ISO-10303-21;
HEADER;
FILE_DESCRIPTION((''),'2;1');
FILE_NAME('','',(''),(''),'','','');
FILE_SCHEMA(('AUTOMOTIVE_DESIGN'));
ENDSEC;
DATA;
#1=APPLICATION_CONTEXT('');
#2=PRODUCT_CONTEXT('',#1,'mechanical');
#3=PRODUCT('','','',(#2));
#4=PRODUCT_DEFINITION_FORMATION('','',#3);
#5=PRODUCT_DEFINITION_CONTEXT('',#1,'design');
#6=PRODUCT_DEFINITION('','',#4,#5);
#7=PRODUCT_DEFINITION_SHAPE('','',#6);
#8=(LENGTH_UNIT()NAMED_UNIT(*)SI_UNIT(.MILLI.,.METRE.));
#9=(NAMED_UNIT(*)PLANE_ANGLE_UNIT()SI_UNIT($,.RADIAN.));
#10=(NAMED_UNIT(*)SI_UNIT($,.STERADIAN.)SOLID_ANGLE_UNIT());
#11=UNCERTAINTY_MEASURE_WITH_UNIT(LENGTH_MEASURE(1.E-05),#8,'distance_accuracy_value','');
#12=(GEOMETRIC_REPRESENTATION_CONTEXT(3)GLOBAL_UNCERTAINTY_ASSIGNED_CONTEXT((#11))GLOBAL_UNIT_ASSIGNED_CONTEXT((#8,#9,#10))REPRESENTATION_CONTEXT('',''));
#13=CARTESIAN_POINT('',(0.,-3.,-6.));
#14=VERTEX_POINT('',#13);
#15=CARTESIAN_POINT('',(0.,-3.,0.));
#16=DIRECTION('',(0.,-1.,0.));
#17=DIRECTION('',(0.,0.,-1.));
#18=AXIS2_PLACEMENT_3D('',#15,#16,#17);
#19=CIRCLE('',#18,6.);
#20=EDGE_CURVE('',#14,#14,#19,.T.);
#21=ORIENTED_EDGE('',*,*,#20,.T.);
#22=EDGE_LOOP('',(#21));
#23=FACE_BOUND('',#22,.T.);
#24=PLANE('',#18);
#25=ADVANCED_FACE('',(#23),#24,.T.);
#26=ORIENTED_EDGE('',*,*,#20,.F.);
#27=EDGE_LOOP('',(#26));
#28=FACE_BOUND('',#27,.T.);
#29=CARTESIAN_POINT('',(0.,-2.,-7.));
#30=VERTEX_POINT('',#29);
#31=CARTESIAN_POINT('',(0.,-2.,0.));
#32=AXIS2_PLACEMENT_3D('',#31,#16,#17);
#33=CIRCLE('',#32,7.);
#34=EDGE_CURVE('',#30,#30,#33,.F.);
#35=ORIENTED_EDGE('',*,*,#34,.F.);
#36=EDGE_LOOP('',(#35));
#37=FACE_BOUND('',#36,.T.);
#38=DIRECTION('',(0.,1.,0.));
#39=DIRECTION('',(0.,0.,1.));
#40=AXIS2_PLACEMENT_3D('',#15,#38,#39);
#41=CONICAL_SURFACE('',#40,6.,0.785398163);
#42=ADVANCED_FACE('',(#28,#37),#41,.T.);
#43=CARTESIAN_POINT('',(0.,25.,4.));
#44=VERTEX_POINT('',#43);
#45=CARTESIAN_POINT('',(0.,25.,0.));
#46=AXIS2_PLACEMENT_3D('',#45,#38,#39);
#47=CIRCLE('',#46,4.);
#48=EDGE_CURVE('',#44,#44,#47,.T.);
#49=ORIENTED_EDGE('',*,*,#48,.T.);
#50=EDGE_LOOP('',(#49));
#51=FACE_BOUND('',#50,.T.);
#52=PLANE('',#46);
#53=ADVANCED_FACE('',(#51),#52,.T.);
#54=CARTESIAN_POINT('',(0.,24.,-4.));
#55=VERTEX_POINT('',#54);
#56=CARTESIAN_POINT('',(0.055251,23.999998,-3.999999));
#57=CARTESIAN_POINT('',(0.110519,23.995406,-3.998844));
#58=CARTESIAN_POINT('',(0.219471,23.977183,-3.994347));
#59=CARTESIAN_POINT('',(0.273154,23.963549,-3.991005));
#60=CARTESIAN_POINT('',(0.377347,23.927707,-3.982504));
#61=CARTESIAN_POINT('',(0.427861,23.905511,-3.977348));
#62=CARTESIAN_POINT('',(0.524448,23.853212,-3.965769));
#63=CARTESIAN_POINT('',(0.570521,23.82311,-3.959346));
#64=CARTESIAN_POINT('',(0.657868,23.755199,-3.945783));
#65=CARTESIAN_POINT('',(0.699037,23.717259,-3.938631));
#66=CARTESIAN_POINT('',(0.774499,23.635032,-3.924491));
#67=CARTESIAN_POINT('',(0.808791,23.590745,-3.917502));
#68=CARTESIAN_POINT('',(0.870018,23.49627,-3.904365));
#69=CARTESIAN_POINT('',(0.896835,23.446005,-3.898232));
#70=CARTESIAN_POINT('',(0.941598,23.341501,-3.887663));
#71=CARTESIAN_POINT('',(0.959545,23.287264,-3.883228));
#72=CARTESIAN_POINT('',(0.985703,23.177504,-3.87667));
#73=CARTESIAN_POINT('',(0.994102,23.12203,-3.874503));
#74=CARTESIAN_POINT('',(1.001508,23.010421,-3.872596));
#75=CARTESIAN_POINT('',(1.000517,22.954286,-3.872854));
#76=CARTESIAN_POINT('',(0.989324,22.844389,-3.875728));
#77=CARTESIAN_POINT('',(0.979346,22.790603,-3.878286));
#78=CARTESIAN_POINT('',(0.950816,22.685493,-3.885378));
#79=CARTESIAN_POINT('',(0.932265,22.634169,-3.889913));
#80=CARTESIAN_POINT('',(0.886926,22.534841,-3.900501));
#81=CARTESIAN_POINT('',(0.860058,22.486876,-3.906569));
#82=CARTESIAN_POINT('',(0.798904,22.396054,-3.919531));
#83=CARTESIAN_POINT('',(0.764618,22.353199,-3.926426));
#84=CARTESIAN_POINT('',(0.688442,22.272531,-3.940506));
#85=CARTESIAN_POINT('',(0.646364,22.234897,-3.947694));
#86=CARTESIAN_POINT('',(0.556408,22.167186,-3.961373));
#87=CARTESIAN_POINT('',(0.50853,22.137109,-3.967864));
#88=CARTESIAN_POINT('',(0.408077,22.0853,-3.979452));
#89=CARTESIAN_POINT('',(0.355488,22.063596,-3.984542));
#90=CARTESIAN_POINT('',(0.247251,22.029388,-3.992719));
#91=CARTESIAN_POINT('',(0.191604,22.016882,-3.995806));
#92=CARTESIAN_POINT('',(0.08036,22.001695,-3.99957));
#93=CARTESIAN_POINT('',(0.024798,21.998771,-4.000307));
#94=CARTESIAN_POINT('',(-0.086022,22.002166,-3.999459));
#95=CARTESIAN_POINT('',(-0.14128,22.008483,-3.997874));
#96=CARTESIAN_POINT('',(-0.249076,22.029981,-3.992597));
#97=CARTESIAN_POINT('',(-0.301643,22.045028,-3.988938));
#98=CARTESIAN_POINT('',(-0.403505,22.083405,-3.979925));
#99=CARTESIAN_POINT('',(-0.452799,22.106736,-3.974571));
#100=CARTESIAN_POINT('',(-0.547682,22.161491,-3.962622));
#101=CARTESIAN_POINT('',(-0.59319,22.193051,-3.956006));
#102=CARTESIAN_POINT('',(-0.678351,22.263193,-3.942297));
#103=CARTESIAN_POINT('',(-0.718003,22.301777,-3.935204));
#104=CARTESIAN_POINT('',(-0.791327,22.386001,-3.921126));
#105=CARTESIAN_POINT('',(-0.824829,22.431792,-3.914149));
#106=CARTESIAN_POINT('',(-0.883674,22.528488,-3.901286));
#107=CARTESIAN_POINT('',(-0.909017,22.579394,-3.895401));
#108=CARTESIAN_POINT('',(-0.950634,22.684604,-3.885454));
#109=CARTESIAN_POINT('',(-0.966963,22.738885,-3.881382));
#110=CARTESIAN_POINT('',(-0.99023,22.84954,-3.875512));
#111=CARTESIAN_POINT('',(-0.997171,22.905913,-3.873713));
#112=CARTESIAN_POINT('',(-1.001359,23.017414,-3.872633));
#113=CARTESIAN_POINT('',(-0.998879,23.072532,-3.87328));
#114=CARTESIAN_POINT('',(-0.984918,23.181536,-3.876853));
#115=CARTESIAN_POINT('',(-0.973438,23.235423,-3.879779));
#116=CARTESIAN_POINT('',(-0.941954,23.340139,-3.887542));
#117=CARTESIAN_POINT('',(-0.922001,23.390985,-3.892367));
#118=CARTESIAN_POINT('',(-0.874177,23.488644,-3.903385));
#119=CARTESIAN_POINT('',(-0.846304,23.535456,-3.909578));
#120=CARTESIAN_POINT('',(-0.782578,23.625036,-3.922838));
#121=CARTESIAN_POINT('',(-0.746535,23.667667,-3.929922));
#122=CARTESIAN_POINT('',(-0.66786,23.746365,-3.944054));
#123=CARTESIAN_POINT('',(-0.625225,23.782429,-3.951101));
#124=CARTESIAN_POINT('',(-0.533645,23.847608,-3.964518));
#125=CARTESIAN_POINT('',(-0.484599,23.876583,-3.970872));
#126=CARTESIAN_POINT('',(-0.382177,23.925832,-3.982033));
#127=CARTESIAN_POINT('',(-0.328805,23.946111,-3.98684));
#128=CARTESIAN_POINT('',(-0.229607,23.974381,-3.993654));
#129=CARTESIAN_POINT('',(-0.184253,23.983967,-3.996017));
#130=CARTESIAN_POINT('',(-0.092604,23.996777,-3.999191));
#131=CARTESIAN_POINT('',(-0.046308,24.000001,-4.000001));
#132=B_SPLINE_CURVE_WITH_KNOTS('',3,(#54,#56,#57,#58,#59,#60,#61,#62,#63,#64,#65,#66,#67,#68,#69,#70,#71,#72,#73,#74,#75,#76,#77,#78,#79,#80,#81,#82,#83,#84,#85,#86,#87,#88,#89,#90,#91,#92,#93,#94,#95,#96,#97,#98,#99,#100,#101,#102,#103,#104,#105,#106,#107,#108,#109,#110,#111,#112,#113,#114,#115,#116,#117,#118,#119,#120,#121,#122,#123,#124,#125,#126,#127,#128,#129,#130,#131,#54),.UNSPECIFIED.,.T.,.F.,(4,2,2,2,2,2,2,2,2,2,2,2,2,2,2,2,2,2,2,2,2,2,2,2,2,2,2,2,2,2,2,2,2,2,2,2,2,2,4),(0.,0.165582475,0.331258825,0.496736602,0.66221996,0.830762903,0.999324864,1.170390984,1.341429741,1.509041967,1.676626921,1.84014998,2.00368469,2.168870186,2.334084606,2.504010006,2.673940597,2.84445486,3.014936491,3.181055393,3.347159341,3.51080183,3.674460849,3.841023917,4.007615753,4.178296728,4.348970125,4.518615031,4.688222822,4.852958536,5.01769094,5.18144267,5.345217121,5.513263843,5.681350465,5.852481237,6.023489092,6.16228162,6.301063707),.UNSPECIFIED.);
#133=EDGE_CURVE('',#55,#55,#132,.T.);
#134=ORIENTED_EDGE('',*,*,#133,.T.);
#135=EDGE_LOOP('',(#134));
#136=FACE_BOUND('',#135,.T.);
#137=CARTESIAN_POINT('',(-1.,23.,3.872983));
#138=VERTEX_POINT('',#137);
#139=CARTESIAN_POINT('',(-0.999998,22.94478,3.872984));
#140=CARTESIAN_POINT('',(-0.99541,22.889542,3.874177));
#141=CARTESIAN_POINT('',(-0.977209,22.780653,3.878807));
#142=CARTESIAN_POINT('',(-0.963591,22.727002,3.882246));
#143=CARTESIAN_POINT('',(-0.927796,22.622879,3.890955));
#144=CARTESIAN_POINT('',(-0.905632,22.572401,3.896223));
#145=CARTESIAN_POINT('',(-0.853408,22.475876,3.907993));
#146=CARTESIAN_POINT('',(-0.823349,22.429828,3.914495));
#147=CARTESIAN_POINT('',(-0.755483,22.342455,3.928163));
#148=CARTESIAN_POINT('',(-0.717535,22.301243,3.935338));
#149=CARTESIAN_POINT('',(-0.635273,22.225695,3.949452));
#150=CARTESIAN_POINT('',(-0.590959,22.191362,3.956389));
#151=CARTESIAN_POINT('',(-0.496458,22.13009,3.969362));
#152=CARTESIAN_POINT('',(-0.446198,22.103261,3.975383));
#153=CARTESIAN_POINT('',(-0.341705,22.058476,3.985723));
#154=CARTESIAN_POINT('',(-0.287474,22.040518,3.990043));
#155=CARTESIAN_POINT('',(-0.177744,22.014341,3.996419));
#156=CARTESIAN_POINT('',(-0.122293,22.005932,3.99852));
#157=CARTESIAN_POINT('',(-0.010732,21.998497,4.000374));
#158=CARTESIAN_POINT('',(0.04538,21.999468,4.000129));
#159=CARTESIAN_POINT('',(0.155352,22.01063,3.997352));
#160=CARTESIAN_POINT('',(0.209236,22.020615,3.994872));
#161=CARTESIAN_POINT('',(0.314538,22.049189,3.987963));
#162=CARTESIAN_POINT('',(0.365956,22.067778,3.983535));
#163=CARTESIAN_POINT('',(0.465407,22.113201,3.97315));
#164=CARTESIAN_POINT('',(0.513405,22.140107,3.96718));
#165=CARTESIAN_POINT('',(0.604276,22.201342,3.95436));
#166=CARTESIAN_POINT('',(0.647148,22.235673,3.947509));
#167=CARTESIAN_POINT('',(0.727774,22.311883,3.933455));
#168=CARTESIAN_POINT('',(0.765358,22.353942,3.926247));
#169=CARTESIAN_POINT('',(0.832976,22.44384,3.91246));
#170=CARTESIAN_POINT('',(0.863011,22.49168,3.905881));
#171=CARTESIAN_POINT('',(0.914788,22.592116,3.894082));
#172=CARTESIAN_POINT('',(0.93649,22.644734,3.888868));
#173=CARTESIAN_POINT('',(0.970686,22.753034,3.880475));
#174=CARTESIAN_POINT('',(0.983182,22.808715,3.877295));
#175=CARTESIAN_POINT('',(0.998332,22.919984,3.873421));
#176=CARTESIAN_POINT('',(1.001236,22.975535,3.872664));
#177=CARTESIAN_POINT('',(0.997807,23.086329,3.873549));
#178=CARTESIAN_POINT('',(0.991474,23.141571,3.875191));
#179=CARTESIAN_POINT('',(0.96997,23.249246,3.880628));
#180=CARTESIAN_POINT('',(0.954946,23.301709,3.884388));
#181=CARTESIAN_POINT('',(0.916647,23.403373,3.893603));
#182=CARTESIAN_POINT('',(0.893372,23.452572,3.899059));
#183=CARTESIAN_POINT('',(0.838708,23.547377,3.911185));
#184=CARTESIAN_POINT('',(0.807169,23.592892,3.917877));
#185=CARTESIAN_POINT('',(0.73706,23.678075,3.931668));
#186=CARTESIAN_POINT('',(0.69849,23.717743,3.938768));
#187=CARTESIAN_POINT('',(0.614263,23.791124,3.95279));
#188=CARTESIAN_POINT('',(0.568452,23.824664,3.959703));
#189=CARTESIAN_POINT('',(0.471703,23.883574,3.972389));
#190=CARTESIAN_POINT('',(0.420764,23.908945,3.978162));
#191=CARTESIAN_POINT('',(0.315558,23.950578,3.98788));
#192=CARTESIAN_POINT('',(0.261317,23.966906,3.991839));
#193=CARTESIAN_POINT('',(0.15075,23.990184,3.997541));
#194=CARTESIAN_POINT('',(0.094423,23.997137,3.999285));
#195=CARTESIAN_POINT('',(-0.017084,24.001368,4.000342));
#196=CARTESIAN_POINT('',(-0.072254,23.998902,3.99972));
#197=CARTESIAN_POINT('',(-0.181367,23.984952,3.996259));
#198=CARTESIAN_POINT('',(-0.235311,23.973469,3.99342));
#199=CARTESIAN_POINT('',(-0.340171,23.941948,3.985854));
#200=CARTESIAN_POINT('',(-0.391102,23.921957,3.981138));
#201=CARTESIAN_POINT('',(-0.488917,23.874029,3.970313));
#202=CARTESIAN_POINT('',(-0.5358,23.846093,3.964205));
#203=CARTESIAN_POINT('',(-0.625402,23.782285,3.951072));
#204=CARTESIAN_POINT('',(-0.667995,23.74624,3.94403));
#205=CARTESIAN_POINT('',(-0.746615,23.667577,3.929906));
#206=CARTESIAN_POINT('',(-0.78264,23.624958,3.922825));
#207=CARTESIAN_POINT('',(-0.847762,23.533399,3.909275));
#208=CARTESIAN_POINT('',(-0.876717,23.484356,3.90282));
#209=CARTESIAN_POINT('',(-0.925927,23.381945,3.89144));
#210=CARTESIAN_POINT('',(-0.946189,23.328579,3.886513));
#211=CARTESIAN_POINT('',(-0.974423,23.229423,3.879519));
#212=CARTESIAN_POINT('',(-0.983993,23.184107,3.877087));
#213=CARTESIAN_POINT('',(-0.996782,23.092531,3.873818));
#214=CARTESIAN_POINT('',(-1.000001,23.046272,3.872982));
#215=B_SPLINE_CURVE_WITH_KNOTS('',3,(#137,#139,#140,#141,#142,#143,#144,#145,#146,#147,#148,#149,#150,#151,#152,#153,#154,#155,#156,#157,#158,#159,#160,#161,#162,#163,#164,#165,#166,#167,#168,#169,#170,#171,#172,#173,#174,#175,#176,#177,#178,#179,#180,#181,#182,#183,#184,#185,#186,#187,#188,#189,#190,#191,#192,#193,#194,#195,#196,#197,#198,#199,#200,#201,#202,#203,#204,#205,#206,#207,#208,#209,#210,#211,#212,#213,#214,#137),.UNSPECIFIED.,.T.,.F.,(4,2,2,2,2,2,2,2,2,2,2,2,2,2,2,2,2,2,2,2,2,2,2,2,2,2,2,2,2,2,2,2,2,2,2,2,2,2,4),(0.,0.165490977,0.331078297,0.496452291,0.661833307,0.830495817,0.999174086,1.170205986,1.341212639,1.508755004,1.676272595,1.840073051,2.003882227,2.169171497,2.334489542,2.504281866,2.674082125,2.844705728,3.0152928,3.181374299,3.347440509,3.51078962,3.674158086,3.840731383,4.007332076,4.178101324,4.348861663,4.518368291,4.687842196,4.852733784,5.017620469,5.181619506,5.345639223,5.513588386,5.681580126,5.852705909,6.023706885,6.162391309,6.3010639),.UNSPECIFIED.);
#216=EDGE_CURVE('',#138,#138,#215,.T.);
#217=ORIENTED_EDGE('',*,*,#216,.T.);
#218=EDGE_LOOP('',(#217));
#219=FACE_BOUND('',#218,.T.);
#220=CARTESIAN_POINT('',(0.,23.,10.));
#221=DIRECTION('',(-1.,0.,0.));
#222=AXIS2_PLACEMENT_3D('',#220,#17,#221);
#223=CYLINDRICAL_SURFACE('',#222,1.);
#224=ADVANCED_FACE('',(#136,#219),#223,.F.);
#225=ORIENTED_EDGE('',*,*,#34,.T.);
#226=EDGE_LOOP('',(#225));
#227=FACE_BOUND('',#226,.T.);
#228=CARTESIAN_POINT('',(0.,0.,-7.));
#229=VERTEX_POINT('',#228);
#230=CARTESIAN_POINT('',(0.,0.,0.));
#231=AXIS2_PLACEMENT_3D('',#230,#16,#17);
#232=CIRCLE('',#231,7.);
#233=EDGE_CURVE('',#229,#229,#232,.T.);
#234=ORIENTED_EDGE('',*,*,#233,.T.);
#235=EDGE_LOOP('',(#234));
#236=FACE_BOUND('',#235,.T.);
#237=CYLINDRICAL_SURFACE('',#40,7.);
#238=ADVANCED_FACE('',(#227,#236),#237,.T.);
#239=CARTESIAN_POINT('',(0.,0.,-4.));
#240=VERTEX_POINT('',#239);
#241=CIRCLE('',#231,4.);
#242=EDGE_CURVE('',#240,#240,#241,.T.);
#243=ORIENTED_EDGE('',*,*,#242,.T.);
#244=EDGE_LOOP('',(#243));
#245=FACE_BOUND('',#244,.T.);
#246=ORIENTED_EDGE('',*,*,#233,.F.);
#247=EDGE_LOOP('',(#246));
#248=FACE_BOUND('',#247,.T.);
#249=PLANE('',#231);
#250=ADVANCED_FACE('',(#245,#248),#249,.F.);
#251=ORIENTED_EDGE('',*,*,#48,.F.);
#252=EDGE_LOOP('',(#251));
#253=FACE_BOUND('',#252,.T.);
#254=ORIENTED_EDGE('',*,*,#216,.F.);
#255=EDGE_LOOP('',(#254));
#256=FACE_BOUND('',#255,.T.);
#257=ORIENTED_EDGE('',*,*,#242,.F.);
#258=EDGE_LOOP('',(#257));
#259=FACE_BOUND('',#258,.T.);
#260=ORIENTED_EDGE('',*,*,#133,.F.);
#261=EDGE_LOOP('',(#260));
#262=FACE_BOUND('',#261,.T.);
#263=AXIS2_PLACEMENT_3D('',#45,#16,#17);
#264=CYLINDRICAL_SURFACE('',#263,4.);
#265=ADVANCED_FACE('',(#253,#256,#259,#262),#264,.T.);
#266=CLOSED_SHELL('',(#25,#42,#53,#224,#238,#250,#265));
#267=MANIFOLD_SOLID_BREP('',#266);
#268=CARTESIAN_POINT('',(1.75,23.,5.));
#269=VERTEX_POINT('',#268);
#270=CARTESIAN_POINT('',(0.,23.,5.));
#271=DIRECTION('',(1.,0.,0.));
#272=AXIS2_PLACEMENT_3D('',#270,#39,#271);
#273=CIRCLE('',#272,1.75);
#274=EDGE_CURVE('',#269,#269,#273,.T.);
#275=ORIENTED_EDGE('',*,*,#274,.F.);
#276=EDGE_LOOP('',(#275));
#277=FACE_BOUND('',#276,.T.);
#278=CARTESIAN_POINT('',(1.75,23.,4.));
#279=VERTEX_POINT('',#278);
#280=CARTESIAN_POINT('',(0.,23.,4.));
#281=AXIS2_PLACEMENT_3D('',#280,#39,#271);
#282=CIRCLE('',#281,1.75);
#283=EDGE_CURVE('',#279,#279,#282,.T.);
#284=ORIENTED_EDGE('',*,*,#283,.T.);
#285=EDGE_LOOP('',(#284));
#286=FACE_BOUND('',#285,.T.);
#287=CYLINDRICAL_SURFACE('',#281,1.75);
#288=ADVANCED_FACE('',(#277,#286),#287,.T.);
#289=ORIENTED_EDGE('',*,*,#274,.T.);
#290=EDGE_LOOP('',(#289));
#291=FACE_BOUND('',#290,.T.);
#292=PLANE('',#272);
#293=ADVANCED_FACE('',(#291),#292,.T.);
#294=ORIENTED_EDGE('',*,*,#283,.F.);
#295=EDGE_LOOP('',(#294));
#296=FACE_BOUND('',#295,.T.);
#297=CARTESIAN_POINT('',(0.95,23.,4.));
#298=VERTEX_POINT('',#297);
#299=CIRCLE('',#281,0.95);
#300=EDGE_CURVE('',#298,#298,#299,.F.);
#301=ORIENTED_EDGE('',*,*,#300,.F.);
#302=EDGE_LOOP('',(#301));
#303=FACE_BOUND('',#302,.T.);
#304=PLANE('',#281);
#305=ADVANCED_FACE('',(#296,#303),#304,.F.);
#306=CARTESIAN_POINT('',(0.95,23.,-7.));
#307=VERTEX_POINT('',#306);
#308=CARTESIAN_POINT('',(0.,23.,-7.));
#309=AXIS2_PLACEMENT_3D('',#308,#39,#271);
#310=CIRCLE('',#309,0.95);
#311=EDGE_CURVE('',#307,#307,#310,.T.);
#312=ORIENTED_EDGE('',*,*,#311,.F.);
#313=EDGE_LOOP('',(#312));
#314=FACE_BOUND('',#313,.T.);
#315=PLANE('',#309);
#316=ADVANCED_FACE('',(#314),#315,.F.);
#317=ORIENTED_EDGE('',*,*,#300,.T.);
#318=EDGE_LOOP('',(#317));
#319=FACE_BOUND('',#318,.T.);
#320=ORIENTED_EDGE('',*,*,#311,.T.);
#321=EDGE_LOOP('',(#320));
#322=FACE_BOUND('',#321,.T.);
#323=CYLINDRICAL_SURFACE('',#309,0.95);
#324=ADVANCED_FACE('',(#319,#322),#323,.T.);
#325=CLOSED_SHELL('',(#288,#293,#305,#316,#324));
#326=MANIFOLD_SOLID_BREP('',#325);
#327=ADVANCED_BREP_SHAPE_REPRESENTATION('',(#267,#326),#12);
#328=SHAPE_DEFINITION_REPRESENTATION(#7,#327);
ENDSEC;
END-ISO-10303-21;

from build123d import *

# Parameters (mm, degrees)
SKETCH1_R                = 4
BOSS_EXTRUDE1_DEPTH      = 25
SKETCH2_R                = 7
BOSS_EXTRUDE2_DEPTH      = 3
CHAMFER1_SIZE            = 1
CUT_EXTRUDE1_DEPTH       = 10
CUT_EXTRUDE1_DEPTH_BACK  = 10
SKETCH3_R                = 1
BOSS_EXTRUDE3_DEPTH      = 5
BOSS_EXTRUDE3_DEPTH_BACK = 7
SKETCH4_R                = 0.95
SKETCH5_R                = 1.75
BOSS_EXTRUDE4_DEPTH      = 1


with BuildPart() as part:
    # Sketch1 → Boss-Extrude1 (new body)
    with BuildSketch(Plane(origin=(0, 0, 0), x_dir=(1, 0, 0), z_dir=(0, 1, 0))):
        Circle(SKETCH1_R)
    extrude(amount=BOSS_EXTRUDE1_DEPTH)

    # Sketch2 → Boss-Extrude2 (add)
    with BuildSketch(Plane.XZ):
        Circle(SKETCH2_R)
    extrude(amount=BOSS_EXTRUDE2_DEPTH)

    # Chamfer1
    chamfer1_edges = [part.edges().sort_by_distance(p)[0] for p in [
        (-7, -3, 0),
    ]]
    chamfer(chamfer1_edges, length=CHAMFER1_SIZE)

    # Sketch3 → Cut-Extrude1 (cut, two sides: drawn at the far end of the back side and taken through both)
    with BuildSketch(Plane.XY.offset(-CUT_EXTRUDE1_DEPTH_BACK)):
        with Locations((0, 23)):
            Circle(SKETCH3_R)
    extrude(amount=CUT_EXTRUDE1_DEPTH + CUT_EXTRUDE1_DEPTH_BACK, mode=Mode.SUBTRACT)


with BuildPart() as body_2:
    # Sketch4 → Boss-Extrude3 (new, two sides: drawn at the far end of the back side and taken through both)
    with BuildSketch(Plane.XY.offset(-BOSS_EXTRUDE3_DEPTH_BACK)):
        with Locations((0, 23)):
            Circle(SKETCH4_R)
    extrude(amount=BOSS_EXTRUDE3_DEPTH + BOSS_EXTRUDE3_DEPTH_BACK)

    # Sketch5 → Boss-Extrude4 (add)
    with BuildSketch(Plane.XY.offset(5)):
        with Locations((0, 23)):
            Circle(SKETCH5_R)
    extrude(amount=-BOSS_EXTRUDE4_DEPTH)


solid = Compound([part.part, body_2.part])
